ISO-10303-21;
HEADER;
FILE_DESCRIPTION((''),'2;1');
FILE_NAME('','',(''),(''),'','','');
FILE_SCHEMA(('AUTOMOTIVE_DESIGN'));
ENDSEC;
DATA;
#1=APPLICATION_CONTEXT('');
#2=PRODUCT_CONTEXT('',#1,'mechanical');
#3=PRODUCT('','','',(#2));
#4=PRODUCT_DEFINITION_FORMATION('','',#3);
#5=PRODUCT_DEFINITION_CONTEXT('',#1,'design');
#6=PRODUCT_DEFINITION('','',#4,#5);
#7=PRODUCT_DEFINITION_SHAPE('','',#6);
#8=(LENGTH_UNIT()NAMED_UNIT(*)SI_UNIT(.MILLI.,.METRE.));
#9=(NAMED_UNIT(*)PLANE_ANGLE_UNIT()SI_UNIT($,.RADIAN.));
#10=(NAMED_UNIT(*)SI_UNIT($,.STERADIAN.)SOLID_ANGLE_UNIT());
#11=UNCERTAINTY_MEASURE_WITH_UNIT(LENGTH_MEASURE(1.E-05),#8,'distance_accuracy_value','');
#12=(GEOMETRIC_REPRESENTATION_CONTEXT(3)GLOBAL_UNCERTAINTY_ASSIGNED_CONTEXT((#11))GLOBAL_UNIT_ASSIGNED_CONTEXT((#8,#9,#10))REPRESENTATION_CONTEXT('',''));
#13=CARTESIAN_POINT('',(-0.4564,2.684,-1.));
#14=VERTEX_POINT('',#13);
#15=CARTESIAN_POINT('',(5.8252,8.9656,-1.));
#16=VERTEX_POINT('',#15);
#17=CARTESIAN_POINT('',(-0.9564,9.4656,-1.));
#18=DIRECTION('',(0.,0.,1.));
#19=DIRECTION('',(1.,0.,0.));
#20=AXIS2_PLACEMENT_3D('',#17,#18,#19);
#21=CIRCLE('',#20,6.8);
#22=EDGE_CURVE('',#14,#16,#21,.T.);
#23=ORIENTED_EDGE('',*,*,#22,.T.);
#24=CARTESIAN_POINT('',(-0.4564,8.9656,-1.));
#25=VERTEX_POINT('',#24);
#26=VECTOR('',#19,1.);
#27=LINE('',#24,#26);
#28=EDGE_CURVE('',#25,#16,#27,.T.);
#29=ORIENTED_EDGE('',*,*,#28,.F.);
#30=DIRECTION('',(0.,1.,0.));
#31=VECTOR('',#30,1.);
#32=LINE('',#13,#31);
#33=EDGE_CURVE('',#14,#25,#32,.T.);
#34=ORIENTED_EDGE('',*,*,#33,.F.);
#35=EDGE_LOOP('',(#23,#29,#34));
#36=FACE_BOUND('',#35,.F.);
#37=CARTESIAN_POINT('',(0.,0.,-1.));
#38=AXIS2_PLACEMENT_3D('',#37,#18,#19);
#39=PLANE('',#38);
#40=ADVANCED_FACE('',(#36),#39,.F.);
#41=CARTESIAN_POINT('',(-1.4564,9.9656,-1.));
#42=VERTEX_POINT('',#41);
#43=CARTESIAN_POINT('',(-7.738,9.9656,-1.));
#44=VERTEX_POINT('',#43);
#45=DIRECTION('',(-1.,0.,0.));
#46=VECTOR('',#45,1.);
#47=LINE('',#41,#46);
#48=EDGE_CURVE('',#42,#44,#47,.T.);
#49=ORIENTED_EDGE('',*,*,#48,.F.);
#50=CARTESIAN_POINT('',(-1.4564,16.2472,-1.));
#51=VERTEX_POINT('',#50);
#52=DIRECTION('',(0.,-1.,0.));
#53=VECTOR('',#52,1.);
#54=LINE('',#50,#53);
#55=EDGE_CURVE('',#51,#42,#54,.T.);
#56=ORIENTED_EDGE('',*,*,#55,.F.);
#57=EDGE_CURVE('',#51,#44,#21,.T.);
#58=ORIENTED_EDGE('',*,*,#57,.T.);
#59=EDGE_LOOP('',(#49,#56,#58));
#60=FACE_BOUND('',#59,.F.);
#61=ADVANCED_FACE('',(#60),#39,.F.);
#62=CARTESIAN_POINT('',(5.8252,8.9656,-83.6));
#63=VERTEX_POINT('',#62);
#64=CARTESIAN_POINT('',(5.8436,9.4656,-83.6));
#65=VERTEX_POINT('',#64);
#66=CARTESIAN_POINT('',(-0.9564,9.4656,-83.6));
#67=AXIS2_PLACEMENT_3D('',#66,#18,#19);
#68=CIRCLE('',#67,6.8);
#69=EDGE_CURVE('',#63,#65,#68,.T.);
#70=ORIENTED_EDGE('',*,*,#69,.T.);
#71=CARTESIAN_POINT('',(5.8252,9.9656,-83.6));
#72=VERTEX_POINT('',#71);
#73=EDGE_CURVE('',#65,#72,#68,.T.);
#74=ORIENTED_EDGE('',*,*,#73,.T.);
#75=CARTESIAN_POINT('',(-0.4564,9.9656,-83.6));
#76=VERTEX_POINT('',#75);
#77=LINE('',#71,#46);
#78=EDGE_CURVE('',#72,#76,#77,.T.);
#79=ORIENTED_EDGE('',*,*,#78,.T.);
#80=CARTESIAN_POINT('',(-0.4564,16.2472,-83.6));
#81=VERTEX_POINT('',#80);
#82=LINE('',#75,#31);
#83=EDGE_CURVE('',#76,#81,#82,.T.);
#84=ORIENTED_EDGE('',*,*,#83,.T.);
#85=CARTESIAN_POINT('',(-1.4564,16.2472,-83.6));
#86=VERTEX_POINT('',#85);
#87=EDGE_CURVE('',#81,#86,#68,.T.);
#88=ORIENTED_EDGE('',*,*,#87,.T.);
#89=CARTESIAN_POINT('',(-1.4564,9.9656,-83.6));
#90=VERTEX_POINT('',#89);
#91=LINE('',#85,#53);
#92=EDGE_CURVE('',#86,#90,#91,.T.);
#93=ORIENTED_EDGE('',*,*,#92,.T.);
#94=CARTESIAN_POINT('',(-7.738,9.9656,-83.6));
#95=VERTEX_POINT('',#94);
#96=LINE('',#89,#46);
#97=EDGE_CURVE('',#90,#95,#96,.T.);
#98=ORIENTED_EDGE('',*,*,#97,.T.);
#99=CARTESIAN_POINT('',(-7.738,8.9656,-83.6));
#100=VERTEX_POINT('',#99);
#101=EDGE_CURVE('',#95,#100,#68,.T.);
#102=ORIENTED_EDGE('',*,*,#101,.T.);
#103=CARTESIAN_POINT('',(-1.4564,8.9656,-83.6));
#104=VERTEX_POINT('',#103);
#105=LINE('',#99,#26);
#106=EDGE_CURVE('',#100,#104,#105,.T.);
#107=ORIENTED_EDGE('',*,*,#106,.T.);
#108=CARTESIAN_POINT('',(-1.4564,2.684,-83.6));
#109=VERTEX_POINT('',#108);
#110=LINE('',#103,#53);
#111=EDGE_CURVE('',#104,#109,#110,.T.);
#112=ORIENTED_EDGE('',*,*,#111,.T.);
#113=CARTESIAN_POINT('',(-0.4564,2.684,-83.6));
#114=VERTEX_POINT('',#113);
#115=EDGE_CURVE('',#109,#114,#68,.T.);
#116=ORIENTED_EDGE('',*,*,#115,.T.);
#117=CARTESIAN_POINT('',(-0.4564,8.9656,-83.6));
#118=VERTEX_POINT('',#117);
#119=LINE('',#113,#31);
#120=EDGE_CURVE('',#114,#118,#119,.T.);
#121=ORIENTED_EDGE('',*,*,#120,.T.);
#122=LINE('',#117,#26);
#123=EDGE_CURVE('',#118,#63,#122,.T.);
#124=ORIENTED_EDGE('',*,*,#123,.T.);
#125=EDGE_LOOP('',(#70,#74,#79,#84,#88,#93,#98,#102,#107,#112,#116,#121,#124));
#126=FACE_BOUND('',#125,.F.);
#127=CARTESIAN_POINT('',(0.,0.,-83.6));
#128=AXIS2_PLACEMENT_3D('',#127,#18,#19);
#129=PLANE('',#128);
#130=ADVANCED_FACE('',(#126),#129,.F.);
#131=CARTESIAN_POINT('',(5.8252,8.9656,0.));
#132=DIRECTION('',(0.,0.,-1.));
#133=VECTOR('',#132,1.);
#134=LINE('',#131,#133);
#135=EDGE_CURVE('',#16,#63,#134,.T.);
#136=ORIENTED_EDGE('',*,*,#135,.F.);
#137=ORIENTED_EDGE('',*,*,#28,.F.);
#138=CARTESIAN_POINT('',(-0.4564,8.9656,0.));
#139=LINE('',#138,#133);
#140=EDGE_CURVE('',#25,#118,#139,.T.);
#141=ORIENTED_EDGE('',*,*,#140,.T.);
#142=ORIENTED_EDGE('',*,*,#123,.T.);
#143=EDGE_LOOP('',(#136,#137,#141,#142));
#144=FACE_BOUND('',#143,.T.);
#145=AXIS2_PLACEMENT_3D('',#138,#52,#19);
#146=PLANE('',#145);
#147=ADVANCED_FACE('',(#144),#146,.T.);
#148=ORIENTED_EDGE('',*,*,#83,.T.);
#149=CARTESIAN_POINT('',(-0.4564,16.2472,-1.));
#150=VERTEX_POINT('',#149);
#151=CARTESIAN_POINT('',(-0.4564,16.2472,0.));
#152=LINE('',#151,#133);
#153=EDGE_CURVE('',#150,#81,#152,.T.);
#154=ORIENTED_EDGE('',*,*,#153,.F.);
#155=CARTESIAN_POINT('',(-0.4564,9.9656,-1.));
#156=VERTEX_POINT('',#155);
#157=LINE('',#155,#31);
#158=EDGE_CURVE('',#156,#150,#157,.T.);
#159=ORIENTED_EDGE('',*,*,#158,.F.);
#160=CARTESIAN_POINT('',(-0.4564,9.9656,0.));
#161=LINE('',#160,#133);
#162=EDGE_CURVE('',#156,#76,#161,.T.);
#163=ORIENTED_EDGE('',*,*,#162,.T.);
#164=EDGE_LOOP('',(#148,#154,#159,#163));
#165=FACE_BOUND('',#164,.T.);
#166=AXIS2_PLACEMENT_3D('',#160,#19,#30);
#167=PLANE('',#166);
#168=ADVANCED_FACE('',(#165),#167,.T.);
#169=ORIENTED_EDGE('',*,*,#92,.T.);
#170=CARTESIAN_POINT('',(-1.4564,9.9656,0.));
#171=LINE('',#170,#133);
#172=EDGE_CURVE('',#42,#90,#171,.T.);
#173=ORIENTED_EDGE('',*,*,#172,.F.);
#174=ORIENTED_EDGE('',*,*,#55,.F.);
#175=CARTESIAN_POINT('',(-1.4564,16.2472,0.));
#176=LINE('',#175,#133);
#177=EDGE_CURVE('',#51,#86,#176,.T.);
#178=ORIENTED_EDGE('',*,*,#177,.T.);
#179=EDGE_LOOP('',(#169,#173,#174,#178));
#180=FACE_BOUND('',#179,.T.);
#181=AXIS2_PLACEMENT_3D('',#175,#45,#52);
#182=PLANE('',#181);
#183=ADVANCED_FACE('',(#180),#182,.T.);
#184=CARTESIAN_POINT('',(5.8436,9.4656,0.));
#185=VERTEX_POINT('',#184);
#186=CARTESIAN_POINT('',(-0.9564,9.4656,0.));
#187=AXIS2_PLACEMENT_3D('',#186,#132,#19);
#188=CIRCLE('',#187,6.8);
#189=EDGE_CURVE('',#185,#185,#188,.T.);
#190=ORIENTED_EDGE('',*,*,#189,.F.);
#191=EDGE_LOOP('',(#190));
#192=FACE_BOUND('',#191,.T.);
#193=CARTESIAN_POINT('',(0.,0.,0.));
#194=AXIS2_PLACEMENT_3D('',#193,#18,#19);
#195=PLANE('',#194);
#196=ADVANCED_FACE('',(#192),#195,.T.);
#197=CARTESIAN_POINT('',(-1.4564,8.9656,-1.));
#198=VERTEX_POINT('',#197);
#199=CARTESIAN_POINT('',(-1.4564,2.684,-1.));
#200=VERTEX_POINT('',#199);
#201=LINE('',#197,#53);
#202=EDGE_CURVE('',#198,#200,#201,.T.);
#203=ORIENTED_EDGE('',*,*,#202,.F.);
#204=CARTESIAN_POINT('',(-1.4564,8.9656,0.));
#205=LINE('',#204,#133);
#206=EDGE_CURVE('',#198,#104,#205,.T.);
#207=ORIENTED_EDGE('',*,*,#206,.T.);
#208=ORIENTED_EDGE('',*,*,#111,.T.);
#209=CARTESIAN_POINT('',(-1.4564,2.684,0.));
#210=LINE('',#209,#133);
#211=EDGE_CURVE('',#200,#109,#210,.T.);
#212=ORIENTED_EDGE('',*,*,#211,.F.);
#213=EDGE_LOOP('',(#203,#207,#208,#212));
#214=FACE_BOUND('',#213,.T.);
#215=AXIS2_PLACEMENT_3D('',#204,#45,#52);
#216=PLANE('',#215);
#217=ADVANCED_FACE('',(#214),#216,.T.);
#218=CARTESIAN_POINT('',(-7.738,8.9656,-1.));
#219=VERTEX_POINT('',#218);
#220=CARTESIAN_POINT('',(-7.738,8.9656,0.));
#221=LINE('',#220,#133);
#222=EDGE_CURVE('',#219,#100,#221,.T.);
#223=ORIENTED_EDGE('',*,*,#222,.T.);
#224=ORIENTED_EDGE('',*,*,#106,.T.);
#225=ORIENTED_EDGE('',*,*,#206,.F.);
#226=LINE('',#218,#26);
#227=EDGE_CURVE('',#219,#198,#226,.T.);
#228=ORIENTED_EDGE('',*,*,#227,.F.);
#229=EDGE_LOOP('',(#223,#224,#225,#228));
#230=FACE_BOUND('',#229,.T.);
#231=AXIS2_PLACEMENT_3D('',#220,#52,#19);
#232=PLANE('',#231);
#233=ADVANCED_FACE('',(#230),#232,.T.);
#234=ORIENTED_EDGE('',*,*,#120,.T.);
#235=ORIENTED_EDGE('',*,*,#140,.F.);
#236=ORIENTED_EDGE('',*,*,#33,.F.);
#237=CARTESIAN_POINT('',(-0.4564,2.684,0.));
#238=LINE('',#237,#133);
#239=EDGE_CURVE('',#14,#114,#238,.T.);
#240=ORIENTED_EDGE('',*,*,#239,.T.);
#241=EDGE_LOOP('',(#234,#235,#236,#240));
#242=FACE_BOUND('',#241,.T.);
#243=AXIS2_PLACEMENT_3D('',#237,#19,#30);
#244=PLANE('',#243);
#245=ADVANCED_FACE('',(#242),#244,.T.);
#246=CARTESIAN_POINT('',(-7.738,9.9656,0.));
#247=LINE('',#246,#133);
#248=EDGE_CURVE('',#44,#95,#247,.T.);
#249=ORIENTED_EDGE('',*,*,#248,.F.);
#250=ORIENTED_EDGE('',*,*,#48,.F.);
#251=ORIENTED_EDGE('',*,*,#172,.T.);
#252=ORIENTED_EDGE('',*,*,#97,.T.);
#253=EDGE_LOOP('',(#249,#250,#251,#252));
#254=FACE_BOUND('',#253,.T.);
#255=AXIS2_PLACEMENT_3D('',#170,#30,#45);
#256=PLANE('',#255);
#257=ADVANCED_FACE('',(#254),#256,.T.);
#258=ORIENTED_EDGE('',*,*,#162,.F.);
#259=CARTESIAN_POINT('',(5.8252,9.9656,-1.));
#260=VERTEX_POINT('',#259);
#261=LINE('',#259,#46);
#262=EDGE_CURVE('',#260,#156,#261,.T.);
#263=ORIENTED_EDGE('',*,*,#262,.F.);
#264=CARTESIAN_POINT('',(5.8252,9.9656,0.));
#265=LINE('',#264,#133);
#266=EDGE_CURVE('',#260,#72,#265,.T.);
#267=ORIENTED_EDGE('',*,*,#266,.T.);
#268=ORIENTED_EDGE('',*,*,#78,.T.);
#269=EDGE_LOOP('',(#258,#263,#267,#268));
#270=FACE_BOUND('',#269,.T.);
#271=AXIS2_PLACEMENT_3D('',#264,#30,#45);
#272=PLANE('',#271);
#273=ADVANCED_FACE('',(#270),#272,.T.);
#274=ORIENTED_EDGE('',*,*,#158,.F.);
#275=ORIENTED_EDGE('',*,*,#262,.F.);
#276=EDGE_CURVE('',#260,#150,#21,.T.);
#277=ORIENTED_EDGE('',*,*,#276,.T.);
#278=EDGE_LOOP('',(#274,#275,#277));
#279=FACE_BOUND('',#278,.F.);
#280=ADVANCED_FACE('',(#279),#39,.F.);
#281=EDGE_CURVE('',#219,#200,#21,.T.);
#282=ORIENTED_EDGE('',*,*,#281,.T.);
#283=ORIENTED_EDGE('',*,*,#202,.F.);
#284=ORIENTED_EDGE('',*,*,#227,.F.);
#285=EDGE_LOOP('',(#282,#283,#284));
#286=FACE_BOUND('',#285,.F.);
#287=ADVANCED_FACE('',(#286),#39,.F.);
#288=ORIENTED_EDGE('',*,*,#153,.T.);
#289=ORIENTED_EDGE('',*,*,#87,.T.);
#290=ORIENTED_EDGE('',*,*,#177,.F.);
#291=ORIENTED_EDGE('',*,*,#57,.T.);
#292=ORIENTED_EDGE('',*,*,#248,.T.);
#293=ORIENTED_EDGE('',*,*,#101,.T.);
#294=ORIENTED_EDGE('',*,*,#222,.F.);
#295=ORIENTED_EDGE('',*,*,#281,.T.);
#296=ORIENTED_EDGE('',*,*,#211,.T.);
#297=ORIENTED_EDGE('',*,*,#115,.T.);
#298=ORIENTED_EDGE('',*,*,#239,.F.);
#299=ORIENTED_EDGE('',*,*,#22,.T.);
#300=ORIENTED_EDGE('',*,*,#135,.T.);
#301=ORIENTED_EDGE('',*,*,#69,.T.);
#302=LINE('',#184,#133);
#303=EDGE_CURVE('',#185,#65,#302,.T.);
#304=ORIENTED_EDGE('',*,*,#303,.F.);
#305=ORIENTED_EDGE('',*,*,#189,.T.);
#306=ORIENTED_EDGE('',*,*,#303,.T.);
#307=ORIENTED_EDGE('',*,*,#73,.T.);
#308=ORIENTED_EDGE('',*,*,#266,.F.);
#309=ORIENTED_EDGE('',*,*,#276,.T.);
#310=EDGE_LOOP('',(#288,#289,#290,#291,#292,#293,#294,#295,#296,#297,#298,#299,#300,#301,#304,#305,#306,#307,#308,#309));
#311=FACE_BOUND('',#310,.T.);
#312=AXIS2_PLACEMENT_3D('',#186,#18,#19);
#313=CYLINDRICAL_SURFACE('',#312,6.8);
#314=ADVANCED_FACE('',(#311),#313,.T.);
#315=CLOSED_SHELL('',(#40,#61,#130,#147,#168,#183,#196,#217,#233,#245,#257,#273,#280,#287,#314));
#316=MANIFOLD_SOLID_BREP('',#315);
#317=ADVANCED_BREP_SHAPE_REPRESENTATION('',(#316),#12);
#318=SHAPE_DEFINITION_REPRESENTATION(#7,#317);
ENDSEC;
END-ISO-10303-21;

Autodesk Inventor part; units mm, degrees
ref_plane "YZ Plane" through (0, 0, 0) normal (1, 0, 0) x (0, 1, 0)
ref_plane "XZ Plane" through (0, 0, 0) normal (0, 1, 0) x (-1, 0, 0)
ref_plane "XY Plane" through (0, 0, 0) normal (0, 0, 1) x (1, 0, 0)
sketch "Sketch1" plane through (0, 0, 0) normal (0, 0, 1) x (1, 0, 0)
  line L0 (-1.4564, 16.2472) -> (-1.4564, 9.9656)
  line L1 (-1.4564, 9.9656) -> (-7.738, 9.9656)
  line L2 (-7.738, 8.9656) -> (-1.4564, 8.9656)
  line L3 (-1.4564, 8.9656) -> (-1.4564, 2.684)
  line L4 (-0.4564, 2.684) -> (-0.4564, 8.9656)
  line L5 (-0.4564, 8.9656) -> (5.8252, 8.9656)
  line L6 (5.8252, 9.9656) -> (-0.4564, 9.9656)
  line L7 (-0.4564, 9.9656) -> (-0.4564, 16.2472)
  circle A0 centre (-0.9564, 9.4656) radius 6.8
extrude "Extrusion1" add sketch "Sketch1" against normal blind 83.6 contours A0 L7 L6 L5 L4 L3 L2 L1 L0
extrude "Extrusion2" add sketch "Sketch1" against normal blind 1 contours L0 L1 A0 | A0 L6 L7 | L2 L3 A0 | A0 L4 L5
properties part number "seringa inside"
